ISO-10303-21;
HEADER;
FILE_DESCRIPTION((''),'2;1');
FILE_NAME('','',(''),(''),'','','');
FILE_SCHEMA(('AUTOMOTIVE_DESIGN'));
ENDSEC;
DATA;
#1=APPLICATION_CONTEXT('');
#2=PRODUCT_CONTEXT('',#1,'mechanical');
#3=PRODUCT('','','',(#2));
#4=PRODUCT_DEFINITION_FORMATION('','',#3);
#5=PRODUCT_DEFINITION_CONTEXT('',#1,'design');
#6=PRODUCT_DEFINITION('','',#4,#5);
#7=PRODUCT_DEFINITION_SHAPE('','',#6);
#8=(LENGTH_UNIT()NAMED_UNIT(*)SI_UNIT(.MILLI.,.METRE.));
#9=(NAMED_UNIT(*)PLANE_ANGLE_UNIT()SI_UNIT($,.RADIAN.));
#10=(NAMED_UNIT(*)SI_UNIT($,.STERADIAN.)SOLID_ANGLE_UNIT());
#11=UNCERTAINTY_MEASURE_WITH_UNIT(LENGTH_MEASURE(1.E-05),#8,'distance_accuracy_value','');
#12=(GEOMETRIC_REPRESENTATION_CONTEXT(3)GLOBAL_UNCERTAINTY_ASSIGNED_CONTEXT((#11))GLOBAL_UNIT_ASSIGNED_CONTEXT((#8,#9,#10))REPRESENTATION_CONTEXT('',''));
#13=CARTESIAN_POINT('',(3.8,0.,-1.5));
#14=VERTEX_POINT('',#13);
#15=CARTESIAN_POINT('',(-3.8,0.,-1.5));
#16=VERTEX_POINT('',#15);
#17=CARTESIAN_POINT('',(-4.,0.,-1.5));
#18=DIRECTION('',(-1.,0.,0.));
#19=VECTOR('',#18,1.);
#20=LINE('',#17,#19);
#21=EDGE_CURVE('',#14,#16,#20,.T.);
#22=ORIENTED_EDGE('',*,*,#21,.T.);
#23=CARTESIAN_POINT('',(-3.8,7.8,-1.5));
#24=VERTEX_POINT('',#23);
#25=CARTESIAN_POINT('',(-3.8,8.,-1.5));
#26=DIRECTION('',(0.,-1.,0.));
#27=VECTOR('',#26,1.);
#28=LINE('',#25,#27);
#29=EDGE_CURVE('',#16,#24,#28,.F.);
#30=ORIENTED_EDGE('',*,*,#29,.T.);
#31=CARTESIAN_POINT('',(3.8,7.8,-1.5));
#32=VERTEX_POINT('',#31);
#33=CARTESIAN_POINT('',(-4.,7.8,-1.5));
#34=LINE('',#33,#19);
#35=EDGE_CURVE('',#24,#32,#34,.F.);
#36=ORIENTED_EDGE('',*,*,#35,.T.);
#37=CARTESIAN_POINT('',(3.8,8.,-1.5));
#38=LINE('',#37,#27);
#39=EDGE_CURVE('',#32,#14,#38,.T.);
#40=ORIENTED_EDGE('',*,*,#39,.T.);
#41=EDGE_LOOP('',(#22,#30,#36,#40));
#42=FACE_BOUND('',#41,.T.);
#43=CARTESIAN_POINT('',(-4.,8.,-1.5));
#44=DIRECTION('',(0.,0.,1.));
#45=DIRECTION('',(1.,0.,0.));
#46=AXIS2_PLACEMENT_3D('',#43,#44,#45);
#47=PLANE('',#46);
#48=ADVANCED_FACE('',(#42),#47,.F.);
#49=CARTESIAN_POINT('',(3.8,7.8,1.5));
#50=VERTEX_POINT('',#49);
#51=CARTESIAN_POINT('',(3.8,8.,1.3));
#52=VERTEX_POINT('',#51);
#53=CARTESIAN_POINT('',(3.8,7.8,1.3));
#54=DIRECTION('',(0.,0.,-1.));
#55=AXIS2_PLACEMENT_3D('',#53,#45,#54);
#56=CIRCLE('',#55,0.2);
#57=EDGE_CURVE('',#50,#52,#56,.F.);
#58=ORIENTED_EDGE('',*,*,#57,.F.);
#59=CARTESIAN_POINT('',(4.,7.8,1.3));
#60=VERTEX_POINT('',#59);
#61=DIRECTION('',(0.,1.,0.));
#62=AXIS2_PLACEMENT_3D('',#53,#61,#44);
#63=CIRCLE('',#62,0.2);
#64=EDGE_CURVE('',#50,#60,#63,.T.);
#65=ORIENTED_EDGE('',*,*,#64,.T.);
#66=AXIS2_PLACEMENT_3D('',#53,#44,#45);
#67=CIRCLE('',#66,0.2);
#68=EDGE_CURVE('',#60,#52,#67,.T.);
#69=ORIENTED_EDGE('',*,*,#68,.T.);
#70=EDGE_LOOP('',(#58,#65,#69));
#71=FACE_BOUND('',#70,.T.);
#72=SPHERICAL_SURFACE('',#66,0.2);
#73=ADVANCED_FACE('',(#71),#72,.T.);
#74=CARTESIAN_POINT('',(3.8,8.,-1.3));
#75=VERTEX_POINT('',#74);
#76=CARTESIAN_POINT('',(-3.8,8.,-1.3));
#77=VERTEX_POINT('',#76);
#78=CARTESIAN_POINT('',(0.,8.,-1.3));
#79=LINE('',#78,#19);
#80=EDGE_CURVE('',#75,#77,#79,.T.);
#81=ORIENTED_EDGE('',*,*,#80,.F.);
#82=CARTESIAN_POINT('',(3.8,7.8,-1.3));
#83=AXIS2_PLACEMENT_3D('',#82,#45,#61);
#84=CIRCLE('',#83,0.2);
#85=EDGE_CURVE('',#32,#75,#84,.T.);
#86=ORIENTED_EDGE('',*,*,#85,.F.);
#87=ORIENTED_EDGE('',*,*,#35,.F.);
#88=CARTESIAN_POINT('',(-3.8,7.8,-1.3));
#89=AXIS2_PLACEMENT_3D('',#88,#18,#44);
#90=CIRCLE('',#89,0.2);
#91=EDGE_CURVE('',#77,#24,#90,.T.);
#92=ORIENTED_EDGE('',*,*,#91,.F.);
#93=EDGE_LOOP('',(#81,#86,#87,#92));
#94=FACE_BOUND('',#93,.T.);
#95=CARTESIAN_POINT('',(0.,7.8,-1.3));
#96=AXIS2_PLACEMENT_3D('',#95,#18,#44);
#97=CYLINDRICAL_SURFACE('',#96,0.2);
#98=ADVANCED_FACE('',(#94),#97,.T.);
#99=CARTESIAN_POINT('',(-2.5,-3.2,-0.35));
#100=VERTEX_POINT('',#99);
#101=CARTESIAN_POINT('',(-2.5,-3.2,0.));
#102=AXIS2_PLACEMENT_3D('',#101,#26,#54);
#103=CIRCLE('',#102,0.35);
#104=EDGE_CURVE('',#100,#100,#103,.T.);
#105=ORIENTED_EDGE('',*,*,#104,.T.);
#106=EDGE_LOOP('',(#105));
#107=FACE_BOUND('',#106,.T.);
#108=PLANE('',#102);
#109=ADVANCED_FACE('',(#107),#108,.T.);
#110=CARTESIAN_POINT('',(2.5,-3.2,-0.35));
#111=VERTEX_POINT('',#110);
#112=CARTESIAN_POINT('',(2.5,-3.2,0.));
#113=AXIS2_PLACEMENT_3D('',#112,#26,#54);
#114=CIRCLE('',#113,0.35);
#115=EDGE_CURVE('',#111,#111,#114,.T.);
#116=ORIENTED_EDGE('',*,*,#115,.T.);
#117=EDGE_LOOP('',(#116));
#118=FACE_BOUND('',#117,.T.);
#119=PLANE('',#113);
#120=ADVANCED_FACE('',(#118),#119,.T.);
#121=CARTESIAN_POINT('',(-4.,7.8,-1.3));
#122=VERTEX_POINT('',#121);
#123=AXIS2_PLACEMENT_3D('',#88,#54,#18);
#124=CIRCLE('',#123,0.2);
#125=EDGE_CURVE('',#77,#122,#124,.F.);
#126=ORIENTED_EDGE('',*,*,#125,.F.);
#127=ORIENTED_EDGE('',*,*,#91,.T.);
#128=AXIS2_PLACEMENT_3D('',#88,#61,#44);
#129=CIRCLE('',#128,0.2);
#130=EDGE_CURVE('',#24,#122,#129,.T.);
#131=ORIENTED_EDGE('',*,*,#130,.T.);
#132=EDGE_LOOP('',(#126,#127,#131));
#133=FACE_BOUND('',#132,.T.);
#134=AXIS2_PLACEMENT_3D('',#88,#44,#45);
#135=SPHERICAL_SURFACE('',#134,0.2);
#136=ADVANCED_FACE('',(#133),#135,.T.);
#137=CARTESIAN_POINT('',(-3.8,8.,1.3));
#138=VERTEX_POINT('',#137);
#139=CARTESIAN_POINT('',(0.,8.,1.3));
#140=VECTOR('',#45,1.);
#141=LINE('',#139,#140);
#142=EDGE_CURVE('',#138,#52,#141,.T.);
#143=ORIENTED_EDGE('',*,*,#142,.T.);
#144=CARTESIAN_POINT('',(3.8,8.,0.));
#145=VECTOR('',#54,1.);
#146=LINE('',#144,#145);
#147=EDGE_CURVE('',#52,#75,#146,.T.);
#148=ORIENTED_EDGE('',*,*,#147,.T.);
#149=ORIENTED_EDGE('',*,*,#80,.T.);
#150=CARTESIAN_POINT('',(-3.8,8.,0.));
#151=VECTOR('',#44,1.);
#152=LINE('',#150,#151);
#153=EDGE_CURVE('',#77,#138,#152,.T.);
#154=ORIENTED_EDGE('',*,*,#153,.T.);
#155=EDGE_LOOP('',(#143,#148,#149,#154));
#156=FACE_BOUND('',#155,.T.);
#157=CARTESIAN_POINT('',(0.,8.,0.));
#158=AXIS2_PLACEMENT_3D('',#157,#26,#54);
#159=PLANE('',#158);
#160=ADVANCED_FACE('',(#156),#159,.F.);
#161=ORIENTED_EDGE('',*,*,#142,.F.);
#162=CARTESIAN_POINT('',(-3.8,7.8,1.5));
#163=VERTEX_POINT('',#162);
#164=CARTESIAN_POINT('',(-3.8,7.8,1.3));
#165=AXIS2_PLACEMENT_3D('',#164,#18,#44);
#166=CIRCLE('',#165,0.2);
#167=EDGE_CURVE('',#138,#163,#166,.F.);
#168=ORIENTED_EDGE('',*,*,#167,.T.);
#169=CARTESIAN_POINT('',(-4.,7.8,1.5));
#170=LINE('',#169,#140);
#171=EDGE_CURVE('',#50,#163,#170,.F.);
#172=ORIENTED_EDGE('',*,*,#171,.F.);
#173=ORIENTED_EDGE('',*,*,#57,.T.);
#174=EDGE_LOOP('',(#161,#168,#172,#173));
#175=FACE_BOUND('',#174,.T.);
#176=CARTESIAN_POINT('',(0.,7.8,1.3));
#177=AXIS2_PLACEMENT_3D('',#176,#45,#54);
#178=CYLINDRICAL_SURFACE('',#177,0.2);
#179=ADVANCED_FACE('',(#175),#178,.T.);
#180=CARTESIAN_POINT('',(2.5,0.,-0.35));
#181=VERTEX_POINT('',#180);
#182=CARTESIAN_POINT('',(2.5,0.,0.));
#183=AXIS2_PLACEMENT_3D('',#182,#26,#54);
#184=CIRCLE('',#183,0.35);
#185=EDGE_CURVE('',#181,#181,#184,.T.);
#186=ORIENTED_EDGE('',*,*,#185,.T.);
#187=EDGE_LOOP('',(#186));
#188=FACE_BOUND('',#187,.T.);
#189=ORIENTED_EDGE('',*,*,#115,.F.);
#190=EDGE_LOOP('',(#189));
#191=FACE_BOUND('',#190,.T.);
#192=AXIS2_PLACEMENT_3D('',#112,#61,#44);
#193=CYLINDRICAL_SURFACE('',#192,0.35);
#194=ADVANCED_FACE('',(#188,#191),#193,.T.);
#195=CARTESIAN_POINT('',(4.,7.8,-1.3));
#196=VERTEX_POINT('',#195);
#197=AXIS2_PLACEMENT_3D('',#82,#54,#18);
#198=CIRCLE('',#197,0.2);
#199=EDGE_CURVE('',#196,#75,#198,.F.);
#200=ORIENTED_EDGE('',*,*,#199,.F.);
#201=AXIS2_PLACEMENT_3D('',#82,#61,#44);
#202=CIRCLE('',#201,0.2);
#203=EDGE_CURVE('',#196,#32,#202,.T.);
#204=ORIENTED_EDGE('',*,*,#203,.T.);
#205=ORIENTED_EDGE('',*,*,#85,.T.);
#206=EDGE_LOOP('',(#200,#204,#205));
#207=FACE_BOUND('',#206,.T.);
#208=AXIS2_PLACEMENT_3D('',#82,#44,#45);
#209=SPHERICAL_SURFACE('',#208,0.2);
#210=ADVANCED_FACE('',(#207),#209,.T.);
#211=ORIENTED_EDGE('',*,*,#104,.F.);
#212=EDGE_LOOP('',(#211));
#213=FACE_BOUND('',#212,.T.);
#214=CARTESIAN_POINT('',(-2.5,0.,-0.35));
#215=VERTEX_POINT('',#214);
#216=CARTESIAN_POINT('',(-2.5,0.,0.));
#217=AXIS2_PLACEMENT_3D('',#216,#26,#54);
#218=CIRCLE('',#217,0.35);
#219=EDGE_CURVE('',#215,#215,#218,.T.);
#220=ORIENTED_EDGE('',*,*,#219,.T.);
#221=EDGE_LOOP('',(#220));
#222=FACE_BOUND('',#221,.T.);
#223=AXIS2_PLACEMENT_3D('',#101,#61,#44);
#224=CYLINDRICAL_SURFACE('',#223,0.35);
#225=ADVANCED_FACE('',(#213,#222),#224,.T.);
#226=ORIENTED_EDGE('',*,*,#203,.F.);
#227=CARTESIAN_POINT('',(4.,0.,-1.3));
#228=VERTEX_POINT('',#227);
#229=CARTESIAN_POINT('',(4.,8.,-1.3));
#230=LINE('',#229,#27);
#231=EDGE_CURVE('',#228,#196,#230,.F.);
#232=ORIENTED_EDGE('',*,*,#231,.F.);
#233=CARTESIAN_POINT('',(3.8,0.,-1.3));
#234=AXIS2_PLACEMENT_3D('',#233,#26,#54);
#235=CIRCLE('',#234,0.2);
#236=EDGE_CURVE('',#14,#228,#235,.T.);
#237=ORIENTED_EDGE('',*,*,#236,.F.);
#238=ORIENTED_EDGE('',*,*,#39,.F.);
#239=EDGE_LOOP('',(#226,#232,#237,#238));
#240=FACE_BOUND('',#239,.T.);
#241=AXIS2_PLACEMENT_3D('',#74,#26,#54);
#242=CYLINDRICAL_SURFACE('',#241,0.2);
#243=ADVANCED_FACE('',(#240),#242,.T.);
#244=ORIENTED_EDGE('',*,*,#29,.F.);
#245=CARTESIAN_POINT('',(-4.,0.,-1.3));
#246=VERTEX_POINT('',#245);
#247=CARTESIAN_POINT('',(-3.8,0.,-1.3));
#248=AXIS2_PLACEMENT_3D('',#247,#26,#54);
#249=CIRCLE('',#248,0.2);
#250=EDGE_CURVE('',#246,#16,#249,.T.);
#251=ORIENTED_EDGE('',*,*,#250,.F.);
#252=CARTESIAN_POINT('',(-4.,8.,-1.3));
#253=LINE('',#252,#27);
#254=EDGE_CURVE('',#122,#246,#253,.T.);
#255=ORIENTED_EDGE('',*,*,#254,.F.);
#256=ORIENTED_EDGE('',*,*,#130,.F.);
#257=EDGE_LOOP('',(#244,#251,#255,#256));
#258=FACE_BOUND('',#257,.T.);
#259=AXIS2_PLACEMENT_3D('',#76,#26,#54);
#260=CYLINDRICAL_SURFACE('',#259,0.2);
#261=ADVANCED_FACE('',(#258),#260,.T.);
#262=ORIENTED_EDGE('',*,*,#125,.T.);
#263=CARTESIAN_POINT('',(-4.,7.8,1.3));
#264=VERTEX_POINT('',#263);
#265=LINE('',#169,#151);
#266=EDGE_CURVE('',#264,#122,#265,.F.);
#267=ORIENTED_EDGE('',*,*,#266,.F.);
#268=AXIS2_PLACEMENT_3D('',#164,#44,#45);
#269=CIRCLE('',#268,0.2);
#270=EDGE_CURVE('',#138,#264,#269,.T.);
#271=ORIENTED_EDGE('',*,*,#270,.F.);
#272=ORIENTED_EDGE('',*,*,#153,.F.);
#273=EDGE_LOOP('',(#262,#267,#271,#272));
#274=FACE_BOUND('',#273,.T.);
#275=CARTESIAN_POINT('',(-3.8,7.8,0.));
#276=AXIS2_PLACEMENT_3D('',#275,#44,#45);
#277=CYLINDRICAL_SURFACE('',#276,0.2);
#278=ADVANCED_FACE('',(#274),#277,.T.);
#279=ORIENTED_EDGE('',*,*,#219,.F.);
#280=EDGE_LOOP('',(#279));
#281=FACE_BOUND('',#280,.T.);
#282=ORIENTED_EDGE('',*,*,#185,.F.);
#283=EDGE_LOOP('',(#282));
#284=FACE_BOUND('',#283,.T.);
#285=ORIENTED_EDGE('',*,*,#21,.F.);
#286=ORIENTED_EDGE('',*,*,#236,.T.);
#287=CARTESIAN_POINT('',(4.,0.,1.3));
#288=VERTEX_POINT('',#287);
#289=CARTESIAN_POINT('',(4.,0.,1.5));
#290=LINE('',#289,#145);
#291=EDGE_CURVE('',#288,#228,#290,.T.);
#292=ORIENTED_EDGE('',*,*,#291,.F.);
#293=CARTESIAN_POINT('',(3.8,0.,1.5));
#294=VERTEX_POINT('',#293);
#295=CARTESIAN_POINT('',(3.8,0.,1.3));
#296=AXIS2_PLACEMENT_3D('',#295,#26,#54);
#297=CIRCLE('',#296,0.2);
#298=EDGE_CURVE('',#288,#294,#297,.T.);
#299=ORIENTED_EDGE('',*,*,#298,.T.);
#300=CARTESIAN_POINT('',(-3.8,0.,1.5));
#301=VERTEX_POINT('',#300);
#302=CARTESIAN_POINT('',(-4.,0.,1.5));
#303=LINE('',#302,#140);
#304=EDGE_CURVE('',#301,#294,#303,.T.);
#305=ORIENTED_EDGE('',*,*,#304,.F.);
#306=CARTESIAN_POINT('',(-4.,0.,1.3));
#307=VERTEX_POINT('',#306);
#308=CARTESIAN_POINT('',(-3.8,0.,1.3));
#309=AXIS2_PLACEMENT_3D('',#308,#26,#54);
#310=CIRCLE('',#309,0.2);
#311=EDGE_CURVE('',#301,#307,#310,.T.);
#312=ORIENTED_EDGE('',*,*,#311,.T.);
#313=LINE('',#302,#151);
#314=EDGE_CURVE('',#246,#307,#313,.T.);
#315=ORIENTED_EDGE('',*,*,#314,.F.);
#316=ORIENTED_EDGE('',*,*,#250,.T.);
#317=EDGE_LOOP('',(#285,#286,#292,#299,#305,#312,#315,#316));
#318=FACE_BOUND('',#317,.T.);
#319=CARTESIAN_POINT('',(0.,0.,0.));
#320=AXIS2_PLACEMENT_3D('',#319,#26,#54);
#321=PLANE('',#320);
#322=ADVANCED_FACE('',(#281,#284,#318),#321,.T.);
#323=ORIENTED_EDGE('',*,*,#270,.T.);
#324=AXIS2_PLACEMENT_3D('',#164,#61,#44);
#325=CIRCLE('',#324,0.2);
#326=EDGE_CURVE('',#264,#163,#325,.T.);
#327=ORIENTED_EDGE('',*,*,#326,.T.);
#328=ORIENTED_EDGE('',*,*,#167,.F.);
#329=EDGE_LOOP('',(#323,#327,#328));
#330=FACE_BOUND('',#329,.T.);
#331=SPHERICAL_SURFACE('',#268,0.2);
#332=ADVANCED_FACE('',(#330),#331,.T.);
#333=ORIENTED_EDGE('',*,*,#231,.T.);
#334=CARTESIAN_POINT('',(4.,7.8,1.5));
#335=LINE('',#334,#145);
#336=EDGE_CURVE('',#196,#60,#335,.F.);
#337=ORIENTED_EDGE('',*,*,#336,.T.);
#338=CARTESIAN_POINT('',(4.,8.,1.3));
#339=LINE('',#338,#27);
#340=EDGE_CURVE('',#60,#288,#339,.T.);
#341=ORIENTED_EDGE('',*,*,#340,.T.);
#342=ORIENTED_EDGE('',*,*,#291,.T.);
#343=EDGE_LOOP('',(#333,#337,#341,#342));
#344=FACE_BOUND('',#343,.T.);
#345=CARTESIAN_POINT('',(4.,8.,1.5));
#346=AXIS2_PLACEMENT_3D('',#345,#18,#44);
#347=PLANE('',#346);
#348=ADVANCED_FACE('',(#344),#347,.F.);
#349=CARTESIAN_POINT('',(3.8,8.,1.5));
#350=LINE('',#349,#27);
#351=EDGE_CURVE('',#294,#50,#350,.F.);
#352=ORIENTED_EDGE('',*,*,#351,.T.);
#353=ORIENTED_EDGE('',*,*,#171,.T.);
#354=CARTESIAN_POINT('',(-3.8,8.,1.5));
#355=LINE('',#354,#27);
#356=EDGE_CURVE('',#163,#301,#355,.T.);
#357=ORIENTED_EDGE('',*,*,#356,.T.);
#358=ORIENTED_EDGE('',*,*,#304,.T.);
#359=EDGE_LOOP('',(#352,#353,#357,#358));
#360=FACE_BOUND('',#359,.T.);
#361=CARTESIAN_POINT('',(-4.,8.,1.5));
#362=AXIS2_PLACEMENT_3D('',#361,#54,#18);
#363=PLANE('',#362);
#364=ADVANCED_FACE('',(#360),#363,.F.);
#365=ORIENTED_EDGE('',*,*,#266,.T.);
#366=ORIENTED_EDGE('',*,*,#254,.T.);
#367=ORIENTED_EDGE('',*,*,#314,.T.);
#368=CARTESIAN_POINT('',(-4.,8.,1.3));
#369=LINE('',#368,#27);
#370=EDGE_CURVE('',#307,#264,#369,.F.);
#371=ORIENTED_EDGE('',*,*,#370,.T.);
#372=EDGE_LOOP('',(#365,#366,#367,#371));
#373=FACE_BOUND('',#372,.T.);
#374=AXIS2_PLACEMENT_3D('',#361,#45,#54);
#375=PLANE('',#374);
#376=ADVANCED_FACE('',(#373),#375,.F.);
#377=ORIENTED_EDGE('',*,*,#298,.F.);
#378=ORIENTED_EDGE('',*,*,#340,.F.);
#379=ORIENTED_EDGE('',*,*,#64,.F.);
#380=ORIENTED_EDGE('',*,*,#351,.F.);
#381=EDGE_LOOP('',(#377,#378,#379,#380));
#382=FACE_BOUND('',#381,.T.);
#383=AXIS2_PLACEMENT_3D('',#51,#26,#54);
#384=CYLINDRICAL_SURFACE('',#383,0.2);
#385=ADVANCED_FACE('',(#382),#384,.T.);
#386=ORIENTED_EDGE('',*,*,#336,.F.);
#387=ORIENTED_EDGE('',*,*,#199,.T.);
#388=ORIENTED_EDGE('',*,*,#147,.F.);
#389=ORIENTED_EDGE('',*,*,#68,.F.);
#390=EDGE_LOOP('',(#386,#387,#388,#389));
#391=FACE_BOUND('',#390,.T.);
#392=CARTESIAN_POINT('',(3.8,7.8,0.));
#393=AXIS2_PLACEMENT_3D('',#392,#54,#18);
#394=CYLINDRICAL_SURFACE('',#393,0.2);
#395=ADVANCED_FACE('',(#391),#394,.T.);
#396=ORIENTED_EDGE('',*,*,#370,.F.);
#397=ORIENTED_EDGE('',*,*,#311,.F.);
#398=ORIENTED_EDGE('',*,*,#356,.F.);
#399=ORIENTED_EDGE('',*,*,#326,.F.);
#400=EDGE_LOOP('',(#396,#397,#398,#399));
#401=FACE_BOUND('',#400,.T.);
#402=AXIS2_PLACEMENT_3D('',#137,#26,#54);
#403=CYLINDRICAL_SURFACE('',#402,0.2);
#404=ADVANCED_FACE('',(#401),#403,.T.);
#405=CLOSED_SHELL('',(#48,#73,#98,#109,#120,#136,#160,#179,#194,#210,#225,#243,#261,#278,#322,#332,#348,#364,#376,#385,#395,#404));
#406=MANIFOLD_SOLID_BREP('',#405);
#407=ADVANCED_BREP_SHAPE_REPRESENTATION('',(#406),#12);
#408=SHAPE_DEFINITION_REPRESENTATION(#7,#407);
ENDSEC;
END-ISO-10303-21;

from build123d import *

# Parameters (mm, degrees)
SKETCH_1_W      = 8
SKETCH_1_H      = 3
EXTRUDE_1_DEPTH = 8
SKETCH_2_R      = 0.35
EXTRUDE_2_DEPTH = 3.2
FILLET_1_R      = 0.2


with BuildPart() as part:
    # Эскиз1 → Бобышка-Вытянуть1 (new body)
    with BuildSketch(Plane(origin=(0, 0, 0), x_dir=(1, 0, 0), z_dir=(0, 1, 0))):
        Rectangle(SKETCH_1_W, SKETCH_1_H)
    extrude(amount=EXTRUDE_1_DEPTH)

    # Эскиз2 → Бобышка-Вытянуть2 (add)
    with BuildSketch(Plane.XZ):
        with Locations(Location((-2.5, 0, 0), (0, 0, 270))):
            Circle(SKETCH_2_R)
        with Locations(Location((2.5, 0, 0), (0, 0, 270))):
            Circle(SKETCH_2_R)
    extrude(amount=EXTRUDE_2_DEPTH)

    # Скругление1
    fillet_1_edges = [part.edges().sort_by_distance(p)[0] for p in [
        (-4, 8, 0),
        (0, 8, 1.5),
        (4, 8, 0),
        (4, 4, 1.5),
        (-4, 4, 1.5),
        (-4, 4, -1.5),
        (4, 4, -1.5),
        (0, 8, -1.5),
    ]]
    fillet(fillet_1_edges, radius=FILLET_1_R)


solid = part.part
